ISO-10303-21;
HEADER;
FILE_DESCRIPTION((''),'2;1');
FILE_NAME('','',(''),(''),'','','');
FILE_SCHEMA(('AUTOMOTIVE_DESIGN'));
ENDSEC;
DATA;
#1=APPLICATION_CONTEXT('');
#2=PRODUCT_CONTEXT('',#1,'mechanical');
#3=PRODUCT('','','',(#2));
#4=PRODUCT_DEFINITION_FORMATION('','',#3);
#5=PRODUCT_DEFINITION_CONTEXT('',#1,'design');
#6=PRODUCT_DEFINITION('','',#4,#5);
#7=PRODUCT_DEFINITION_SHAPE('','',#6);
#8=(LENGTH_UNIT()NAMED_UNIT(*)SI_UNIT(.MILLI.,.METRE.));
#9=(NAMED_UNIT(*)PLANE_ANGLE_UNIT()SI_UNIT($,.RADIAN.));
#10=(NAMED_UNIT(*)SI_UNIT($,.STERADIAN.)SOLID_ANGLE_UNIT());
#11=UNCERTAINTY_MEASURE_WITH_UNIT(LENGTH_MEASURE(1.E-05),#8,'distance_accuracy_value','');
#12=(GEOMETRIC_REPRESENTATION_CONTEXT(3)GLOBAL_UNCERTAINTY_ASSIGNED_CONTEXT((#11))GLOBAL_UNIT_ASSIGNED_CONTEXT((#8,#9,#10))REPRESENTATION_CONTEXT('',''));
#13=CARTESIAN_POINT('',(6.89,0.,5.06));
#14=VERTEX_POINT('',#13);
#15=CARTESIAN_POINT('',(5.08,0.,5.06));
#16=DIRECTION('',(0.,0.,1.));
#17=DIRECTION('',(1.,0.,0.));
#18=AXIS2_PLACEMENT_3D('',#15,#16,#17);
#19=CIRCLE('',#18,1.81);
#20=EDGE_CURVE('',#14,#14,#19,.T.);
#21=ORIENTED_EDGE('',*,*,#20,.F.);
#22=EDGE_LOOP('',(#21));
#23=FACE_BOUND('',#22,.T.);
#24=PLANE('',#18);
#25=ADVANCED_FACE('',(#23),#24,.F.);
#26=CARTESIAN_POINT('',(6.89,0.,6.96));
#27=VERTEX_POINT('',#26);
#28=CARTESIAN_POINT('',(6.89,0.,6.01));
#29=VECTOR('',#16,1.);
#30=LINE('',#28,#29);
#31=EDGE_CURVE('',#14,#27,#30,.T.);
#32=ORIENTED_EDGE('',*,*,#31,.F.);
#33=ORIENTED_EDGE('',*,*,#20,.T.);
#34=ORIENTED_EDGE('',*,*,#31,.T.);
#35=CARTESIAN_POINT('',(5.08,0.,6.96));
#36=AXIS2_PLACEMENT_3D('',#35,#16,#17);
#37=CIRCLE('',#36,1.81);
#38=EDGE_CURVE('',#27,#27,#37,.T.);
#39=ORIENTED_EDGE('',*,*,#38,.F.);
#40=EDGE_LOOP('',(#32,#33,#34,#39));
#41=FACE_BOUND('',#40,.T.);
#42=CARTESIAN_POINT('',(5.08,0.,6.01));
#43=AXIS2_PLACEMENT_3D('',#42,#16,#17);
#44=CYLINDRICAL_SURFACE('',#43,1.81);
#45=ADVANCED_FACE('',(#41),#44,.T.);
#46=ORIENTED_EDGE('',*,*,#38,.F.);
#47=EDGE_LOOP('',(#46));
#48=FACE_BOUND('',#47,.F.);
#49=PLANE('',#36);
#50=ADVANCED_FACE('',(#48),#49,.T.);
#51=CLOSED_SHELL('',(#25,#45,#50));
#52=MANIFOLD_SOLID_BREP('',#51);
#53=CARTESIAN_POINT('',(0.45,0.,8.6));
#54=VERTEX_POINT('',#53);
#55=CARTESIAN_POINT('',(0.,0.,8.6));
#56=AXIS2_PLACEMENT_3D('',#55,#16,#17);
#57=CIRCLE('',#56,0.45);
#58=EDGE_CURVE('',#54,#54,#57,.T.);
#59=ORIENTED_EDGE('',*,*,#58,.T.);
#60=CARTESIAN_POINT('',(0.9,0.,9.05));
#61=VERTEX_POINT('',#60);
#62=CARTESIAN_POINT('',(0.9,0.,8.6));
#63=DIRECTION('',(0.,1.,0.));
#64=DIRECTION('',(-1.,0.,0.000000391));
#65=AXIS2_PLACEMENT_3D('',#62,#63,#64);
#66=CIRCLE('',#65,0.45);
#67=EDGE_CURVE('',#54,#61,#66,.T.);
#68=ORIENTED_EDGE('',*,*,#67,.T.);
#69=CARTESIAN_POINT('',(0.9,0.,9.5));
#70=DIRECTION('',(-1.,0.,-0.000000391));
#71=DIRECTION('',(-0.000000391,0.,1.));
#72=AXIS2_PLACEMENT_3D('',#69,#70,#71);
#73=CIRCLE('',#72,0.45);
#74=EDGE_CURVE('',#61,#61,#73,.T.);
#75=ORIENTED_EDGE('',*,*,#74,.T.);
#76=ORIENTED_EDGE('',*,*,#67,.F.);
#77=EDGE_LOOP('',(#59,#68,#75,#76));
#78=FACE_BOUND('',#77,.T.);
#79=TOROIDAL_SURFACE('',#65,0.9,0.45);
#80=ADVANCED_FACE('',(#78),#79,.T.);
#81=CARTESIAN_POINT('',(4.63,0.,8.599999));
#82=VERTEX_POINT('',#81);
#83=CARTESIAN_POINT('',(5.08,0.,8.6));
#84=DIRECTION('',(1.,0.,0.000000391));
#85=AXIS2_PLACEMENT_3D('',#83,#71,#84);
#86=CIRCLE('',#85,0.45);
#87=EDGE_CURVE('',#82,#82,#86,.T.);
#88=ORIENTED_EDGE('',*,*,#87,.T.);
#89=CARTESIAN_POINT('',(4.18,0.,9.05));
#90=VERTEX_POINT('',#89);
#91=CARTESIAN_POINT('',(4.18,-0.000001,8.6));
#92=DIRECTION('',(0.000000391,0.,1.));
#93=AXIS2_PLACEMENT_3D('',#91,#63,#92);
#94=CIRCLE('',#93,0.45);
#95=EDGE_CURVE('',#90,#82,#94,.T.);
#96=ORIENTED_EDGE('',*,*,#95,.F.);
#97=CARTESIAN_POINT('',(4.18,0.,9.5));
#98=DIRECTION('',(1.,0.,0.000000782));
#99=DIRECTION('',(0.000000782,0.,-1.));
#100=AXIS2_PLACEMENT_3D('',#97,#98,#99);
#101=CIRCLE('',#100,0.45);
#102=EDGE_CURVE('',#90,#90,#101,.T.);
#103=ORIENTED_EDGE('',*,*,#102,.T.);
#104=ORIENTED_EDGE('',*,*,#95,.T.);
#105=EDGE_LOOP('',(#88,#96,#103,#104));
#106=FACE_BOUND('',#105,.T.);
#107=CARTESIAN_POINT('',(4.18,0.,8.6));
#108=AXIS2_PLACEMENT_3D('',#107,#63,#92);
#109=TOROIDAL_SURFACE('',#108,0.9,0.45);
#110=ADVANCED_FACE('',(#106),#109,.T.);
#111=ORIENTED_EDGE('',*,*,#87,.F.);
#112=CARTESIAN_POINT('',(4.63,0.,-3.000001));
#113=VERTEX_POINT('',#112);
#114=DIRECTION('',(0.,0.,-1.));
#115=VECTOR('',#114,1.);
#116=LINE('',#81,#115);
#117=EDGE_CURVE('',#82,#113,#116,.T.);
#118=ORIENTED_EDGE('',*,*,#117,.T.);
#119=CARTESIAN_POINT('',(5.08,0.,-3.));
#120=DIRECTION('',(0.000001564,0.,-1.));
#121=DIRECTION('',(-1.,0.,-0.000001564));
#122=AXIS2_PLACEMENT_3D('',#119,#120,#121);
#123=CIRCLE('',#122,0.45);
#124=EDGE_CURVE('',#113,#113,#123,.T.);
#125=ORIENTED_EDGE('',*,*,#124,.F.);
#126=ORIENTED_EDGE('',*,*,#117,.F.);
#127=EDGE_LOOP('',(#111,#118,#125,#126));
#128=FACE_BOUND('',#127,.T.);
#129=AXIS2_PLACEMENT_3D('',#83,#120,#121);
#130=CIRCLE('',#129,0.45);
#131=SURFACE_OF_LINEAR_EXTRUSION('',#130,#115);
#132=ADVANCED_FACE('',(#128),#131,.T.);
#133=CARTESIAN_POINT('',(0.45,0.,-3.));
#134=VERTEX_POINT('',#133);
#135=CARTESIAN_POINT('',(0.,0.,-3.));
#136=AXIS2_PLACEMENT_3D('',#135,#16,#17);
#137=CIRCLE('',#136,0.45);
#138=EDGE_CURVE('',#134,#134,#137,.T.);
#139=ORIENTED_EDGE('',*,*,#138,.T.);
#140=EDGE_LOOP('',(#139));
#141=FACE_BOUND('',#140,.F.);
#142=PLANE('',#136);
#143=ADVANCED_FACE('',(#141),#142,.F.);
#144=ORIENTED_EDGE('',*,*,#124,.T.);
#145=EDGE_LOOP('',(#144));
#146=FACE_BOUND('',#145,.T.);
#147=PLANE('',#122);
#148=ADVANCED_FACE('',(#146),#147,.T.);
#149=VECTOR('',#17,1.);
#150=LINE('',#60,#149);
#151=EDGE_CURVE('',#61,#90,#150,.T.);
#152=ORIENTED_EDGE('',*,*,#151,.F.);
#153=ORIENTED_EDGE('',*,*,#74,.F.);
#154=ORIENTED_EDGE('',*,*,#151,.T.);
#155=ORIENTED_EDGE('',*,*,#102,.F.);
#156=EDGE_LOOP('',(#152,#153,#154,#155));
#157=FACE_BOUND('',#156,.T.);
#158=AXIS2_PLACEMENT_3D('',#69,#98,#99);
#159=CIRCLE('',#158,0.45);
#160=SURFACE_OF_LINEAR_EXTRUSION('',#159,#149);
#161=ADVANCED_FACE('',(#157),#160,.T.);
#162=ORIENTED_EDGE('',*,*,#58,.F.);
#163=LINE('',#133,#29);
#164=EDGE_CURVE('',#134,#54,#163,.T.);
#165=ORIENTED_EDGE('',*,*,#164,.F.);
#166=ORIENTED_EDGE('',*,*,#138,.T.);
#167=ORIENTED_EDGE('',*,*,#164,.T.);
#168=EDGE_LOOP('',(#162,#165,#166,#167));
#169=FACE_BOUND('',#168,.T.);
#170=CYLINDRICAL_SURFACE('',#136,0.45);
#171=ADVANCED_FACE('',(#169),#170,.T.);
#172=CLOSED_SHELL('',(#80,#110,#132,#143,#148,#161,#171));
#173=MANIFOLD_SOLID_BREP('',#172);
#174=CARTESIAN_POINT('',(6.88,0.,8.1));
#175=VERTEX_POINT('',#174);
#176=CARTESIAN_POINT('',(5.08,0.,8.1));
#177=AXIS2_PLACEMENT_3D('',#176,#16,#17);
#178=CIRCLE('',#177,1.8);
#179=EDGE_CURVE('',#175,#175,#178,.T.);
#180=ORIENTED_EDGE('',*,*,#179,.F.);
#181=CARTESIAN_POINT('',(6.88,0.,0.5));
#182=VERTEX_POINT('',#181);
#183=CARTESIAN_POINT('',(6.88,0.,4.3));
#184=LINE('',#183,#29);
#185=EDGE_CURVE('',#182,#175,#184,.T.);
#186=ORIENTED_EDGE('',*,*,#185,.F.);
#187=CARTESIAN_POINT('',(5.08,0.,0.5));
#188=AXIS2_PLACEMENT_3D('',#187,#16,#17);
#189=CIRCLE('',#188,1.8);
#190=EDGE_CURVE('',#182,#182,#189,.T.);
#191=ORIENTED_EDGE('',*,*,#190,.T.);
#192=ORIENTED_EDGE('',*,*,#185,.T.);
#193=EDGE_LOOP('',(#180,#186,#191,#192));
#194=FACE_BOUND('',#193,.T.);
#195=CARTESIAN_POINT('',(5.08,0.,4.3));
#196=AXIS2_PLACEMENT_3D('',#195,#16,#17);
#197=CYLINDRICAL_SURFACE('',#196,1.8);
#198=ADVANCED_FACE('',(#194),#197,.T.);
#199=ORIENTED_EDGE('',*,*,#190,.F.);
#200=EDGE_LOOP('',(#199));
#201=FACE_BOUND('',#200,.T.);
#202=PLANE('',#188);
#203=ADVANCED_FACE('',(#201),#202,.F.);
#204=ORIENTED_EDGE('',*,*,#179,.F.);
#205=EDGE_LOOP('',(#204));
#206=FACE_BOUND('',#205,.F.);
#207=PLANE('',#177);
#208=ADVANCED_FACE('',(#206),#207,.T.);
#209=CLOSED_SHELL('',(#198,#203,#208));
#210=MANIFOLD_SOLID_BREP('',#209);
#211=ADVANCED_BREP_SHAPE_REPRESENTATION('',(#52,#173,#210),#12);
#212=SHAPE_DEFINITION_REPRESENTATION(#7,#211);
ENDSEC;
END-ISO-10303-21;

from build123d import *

# Parameters (mm, degrees)
SKETCH001_R = 0.45
SKETCH002_W = 1.8
SKETCH002_H = 7.6
SKETCH003_W = 1.81
SKETCH003_H = 1.9


with BuildPart() as sweep_body:
    # Sweep: sweep along a path in Sketch
    with BuildLine(Plane.XZ) as sweep_path:
        Line((0, -3), (0, 8.6))
        ThreePointArc((0, 8.6), (0.263604, 9.236396), (0.9, 9.5))
        Line((0.9, 9.5), (4.18, 9.5))
        ThreePointArc((4.18, 9.5), (4.816396, 9.236396), (5.08, 8.6))
        Line((5.08, 8.6), (5.08, -3))
    # Sketch001 → Sweep (sweep)
    with BuildSketch(Plane.XY):
        Circle(SKETCH001_R)
    sweep(path=sweep_path.line)


with BuildPart() as revolution:
    # Sketch002 → Revolution (revolve)
    with BuildSketch(Plane.XZ):
        with Locations((5.98, 4.3)):
            Rectangle(SKETCH002_W, SKETCH002_H)
    revolve(axis=Axis((5.08, 0, 0.5), (0, 0, 1)))


with BuildPart() as revolution001:
    # Sketch003 → Revolution001 (revolve)
    with BuildSketch(Plane.XZ):
        with Locations((5.985, 6.01)):
            Rectangle(SKETCH003_W, SKETCH003_H)
    revolve(axis=Axis((5.08, 0, 5.06), (0, 0, 1)))


solid = Compound([sweep_body.part, revolution.part, revolution001.part])
